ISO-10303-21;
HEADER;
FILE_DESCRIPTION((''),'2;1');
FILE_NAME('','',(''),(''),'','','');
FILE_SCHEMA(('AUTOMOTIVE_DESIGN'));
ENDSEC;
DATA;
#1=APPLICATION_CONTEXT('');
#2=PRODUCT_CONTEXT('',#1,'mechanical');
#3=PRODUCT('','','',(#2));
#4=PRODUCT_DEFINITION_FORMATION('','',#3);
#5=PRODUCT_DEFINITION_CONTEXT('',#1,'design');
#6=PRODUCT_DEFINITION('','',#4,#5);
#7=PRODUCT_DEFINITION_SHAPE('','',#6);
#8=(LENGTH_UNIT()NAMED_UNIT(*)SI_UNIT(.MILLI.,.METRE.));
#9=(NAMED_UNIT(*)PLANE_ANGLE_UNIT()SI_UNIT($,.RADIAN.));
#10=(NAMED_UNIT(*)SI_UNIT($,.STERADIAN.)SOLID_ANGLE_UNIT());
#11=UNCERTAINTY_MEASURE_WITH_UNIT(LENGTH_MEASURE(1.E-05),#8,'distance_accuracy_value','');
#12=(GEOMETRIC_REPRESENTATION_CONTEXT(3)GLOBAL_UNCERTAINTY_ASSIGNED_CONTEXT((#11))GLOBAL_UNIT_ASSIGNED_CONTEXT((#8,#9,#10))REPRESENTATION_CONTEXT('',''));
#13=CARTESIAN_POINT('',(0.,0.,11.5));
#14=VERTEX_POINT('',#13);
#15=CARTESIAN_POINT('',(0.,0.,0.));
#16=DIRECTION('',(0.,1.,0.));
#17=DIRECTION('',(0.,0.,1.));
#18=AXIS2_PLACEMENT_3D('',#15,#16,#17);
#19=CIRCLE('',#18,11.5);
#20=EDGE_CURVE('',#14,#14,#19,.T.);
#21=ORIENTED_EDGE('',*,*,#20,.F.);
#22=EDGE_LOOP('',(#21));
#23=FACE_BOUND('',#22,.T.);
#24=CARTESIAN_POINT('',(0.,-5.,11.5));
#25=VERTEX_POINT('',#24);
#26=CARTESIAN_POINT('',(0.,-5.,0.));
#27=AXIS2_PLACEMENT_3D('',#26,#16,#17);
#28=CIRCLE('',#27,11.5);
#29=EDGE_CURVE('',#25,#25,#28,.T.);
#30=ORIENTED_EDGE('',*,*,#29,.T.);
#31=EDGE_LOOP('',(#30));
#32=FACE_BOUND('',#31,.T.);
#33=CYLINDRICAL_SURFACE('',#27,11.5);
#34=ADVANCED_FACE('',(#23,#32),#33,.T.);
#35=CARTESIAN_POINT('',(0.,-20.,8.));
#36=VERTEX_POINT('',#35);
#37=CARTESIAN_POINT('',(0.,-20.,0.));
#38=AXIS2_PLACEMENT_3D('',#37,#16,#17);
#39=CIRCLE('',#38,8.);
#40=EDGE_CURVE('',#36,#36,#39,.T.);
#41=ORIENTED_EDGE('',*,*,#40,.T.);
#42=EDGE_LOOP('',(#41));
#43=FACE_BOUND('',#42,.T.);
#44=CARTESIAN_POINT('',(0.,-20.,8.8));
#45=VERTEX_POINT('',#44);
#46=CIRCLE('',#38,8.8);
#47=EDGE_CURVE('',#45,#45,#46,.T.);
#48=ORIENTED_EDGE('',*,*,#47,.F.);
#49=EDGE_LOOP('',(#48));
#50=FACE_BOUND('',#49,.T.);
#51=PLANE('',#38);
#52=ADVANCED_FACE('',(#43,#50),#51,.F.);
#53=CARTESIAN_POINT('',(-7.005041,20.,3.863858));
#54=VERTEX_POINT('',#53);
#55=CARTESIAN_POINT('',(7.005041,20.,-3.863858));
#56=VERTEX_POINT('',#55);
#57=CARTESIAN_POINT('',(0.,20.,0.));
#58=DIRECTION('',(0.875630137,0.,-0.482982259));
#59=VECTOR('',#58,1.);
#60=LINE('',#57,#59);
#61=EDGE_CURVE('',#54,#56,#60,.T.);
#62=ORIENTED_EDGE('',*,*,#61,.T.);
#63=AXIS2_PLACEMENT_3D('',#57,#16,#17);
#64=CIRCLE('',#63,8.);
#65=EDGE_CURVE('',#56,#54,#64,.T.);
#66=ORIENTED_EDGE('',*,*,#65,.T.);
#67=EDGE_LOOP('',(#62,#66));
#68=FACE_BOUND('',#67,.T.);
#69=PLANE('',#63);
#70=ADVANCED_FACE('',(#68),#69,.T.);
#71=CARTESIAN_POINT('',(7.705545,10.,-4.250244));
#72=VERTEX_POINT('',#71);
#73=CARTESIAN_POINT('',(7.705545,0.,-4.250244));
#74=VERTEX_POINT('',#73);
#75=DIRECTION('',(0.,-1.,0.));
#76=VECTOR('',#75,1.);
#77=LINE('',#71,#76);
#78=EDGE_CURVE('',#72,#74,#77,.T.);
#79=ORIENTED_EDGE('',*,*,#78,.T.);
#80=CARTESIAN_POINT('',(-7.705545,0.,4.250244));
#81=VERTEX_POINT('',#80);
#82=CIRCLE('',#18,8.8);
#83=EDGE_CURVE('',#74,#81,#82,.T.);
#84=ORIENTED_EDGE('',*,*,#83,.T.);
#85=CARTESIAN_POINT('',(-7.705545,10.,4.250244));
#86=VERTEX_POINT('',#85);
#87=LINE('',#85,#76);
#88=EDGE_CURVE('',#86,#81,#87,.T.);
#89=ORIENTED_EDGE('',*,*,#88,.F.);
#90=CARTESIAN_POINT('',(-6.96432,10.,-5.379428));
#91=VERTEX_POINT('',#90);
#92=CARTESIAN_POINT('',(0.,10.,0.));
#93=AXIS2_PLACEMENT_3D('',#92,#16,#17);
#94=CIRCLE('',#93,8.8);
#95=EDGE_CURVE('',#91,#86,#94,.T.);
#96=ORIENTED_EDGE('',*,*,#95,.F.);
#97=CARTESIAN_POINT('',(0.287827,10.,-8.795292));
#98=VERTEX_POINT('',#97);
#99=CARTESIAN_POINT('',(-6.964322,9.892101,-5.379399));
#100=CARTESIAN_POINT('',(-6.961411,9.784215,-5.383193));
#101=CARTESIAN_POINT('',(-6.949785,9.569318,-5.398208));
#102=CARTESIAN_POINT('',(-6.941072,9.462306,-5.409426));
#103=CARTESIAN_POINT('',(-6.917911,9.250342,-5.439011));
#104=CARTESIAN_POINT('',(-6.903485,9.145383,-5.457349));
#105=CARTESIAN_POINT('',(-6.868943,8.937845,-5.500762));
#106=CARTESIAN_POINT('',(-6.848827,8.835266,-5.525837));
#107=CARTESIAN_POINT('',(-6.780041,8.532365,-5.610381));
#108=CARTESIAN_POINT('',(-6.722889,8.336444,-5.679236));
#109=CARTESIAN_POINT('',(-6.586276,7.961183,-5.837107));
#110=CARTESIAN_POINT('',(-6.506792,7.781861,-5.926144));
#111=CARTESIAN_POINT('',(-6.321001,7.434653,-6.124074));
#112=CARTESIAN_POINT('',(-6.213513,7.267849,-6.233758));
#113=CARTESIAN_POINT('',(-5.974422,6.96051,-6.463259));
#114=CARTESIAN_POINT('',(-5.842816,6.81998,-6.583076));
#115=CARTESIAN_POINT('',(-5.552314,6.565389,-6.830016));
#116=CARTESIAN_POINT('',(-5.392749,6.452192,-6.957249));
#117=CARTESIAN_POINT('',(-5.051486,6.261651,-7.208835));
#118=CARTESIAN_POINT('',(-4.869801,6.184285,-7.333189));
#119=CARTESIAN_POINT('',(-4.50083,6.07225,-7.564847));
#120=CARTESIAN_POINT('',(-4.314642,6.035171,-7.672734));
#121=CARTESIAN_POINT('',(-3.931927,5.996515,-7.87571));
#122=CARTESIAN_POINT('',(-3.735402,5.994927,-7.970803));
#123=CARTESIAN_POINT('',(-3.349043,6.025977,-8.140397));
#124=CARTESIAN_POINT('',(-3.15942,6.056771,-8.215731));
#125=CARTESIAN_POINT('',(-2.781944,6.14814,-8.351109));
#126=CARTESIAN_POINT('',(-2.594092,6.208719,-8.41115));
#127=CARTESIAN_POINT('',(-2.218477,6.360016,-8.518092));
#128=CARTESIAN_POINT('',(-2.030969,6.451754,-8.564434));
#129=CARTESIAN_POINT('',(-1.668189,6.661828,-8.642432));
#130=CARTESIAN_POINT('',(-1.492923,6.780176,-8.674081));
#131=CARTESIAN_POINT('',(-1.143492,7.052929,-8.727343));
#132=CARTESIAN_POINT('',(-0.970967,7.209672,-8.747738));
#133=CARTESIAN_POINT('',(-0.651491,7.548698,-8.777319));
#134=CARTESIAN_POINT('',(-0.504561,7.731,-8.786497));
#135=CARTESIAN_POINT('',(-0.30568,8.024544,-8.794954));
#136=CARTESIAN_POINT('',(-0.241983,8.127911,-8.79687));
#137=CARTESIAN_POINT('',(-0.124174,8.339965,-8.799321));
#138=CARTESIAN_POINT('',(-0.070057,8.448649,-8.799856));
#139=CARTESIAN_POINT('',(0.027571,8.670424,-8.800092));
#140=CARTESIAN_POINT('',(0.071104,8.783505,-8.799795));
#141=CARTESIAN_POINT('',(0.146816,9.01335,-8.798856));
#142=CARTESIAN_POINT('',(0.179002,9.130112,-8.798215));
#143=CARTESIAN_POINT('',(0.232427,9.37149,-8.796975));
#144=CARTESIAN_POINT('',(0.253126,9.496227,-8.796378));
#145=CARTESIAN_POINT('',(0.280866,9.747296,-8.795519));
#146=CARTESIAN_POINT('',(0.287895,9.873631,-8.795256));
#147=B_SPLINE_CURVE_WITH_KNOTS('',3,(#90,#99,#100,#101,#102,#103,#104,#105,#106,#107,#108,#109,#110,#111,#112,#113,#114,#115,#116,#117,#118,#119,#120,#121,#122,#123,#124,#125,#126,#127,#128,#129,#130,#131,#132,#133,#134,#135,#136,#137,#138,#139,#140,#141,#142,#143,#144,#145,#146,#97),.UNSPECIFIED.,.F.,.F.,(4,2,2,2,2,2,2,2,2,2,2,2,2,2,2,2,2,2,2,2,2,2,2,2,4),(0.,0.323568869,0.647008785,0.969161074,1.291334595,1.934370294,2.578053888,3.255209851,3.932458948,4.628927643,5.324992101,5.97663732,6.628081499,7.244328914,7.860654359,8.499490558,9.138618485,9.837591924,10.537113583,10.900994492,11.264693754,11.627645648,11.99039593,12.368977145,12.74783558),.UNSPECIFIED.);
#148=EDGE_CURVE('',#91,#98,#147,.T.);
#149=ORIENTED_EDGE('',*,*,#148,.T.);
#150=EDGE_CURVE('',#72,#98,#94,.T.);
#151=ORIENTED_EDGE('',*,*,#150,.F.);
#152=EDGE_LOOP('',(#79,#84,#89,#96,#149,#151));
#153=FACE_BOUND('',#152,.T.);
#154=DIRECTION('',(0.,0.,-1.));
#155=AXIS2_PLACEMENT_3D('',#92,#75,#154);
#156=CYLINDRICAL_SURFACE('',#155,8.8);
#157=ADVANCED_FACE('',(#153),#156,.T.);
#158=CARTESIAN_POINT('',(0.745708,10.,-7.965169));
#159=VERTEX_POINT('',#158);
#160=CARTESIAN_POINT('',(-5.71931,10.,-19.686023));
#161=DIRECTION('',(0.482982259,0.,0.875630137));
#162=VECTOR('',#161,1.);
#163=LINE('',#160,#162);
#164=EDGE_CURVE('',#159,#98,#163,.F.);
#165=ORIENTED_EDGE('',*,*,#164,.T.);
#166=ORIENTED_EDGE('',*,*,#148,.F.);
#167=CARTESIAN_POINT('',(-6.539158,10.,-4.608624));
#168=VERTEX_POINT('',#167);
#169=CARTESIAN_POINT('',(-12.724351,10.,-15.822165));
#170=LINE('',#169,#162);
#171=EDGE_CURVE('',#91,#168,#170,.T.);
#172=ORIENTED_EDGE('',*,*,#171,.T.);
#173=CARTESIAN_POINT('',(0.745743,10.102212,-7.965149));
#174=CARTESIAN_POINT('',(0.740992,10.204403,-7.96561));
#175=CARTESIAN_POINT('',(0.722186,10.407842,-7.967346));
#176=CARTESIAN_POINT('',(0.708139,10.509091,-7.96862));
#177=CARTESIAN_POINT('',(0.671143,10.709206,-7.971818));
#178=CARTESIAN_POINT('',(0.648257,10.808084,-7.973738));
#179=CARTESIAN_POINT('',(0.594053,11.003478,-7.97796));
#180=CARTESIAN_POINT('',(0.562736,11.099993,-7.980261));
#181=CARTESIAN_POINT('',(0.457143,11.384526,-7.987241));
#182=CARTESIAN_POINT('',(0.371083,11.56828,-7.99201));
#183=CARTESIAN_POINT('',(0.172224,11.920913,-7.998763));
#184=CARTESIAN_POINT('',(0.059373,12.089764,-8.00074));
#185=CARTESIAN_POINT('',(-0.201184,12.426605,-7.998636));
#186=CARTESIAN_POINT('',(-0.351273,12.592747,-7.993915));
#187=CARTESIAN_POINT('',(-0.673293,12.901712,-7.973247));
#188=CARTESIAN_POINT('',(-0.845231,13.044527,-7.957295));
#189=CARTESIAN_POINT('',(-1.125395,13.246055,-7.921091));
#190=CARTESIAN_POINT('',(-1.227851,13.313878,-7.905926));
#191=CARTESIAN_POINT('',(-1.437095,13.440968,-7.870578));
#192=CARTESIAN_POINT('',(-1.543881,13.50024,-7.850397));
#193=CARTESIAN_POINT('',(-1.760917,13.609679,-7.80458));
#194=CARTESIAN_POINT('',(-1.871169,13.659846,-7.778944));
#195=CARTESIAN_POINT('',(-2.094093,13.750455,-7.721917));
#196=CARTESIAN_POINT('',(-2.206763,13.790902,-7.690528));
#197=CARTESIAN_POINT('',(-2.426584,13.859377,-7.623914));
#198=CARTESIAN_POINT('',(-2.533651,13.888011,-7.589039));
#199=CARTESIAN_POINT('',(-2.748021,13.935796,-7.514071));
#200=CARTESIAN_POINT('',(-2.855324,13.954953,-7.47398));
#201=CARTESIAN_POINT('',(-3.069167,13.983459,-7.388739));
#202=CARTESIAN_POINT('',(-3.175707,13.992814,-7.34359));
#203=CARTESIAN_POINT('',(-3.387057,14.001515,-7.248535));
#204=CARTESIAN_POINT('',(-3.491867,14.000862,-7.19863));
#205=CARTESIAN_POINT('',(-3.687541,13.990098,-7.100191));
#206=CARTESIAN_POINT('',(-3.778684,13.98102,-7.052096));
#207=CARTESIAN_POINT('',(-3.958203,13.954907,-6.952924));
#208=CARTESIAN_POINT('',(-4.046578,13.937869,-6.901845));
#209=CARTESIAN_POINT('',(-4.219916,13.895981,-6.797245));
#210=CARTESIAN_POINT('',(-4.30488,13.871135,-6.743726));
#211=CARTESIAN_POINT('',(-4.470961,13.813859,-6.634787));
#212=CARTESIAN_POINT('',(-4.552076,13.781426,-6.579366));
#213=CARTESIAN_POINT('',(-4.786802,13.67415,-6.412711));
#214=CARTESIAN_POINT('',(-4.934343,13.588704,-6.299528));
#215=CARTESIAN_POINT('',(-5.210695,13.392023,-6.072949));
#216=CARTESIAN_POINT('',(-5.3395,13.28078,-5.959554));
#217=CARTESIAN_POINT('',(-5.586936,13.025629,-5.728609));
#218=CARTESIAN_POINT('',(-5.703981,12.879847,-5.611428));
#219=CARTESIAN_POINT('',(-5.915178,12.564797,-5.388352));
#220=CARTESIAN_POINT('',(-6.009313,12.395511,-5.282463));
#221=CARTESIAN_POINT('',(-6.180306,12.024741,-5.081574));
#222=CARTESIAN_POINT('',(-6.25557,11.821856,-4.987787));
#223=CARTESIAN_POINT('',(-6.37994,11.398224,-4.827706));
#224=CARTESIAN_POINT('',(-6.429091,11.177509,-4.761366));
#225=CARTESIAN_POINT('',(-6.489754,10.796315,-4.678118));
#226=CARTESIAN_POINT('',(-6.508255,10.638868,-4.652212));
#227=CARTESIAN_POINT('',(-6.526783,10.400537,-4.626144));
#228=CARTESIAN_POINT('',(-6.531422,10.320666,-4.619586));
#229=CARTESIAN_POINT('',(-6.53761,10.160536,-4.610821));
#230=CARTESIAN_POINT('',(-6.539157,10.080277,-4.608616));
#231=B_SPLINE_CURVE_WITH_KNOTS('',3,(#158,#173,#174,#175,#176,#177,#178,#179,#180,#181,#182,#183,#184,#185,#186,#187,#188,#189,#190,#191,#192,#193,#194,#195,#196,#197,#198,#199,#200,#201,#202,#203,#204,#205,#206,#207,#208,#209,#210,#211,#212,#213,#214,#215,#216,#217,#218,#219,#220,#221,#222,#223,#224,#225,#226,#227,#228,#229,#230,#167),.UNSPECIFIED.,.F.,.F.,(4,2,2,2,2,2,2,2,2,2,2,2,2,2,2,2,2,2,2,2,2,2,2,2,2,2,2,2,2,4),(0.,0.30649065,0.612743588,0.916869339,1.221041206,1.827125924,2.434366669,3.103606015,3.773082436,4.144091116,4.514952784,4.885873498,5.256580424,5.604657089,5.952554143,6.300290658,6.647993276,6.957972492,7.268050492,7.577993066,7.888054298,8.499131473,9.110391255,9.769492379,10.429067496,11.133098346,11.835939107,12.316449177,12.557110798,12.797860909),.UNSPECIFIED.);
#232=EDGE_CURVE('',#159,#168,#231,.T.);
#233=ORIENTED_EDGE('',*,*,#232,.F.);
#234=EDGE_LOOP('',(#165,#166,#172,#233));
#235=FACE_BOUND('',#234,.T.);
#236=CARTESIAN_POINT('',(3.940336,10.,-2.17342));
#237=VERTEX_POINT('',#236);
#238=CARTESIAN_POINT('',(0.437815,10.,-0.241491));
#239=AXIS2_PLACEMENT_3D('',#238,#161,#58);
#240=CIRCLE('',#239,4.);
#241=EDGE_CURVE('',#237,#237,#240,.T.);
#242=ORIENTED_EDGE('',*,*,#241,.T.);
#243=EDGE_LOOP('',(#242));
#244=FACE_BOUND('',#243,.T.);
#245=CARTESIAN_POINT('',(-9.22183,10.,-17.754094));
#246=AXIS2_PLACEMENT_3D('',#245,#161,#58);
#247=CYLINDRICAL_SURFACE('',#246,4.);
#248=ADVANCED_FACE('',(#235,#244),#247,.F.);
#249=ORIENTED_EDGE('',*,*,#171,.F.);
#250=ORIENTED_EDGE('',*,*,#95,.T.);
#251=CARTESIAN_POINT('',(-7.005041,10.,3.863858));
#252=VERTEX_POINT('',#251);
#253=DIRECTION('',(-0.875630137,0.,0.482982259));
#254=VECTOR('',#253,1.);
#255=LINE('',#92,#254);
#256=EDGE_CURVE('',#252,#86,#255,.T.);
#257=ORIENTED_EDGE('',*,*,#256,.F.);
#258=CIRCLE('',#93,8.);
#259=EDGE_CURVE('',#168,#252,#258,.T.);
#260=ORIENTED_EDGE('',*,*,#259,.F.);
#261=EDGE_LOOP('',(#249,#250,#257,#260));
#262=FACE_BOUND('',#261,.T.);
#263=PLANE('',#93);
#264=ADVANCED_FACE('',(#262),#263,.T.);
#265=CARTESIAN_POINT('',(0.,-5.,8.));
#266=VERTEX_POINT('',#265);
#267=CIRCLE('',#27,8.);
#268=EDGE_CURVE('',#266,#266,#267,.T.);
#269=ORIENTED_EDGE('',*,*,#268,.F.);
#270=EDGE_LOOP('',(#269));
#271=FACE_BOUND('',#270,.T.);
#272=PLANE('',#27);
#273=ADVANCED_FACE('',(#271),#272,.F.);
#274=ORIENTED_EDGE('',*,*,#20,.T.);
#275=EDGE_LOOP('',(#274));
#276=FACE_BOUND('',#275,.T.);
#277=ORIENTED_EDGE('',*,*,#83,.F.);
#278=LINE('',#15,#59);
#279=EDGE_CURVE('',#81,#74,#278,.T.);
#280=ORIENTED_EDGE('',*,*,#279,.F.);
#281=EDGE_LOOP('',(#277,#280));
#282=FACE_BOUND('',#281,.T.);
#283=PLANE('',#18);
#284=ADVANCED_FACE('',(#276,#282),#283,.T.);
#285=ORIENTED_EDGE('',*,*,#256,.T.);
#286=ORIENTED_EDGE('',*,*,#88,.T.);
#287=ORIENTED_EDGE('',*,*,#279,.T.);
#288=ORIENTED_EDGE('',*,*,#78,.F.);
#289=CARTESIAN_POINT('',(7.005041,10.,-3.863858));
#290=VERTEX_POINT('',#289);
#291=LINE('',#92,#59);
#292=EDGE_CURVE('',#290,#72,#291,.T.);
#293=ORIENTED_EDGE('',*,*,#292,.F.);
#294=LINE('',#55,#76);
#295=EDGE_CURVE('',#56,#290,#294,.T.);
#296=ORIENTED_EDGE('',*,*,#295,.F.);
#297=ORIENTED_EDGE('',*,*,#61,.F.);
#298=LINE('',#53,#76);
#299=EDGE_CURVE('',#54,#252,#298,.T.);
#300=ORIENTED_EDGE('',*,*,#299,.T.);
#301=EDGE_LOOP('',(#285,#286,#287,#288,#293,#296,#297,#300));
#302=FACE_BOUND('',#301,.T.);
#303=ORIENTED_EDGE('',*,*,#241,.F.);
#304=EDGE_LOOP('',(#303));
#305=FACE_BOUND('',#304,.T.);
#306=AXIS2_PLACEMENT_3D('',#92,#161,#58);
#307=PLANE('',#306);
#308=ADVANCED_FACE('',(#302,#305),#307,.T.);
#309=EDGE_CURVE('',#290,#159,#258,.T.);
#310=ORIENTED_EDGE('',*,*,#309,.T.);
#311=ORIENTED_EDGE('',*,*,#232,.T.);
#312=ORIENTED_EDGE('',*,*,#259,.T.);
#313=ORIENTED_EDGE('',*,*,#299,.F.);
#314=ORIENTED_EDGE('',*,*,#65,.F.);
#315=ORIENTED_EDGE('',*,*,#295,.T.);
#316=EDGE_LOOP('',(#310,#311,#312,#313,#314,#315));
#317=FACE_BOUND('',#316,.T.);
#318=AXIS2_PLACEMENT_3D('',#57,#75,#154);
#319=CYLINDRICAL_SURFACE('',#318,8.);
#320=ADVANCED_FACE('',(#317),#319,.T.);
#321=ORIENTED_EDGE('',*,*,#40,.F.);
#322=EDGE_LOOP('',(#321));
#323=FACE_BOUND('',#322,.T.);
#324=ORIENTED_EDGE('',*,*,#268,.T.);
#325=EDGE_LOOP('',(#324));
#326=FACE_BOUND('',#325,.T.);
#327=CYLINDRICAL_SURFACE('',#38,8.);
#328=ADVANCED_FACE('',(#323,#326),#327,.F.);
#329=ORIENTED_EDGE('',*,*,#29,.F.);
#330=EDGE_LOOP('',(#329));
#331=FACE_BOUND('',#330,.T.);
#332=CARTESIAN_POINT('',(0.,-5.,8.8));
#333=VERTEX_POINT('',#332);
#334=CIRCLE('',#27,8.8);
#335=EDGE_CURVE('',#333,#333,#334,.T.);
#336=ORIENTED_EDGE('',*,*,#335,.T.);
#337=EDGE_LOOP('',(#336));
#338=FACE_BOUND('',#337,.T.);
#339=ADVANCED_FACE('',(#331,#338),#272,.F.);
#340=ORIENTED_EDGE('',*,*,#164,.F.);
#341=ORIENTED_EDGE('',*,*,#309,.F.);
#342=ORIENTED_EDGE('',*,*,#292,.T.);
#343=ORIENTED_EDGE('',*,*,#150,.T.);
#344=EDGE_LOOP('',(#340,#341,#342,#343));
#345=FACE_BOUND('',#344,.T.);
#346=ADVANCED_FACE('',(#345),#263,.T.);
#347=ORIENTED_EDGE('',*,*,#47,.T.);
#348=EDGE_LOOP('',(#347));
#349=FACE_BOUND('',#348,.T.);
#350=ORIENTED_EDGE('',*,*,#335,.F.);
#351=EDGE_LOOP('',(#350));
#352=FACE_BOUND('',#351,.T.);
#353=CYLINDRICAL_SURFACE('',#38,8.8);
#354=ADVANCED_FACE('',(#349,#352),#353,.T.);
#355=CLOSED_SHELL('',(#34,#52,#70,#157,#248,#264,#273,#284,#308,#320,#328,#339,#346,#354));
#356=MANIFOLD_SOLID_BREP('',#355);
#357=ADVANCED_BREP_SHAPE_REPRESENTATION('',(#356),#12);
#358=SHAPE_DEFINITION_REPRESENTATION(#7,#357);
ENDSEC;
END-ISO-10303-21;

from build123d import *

# Parameters (mm, degrees)
BOSS_EXTRUDE1_DEPTH = 10
SKETCH1_4_R         = 11.5
BOSS_EXTRUDE3_DEPTH = 5
BOSS_EXTRUDE4_DEPTH = 5
BOSS_EXTRUDE5_DEPTH = 20
SKETCH1_8_R         = 11.5
SKETCH1_8_R_2       = 8.8
SKETCH1_8_R_3       = 8
BOSS_EXTRUDE6_DEPTH = 5
SKETCH1_10_R        = 8.8
SKETCH1_10_R_2      = 8
BOSS_EXTRUDE8_DEPTH = 20
SKETCH8_R           = 4
CUT_EXTRUDE2_DEPTH  = 20


with BuildPart() as part:
    # Sketch1 → Boss-Extrude1 (new body)
    with BuildSketch(Plane(origin=(0, 0, 0), x_dir=(1, 0, 0), z_dir=(0, 1, 0))):
        with BuildLine():
            Line((-7.705545208, -4.250243881), (-7.005041098, -3.863858073))
            ThreePointArc((-7.005041098, -3.863858073), (-3.863858073, 7.005041098), (7.005041098, 3.863858073))
            Line((7.005041098, 3.863858073), (7.705545208, 4.250243881))
            ThreePointArc((7.705545208, 4.250243881), (-4.250243881, 7.705545208), (-7.705545208, -4.250243881))
        make_face()
    extrude(amount=BOSS_EXTRUDE1_DEPTH)

    # Sketch1<4> → Boss-Extrude3 (add)
    with BuildSketch(Plane(origin=(0, 0, 0), x_dir=(1, 0, 0), z_dir=(0, 1, 0))):
        Circle(SKETCH1_4_R)
        with BuildLine():
            Line((-7.705545208, -4.250243881), (-7.005041098, -3.863858073))
            ThreePointArc((-7.005041098, -3.863858073), (3.863858073, -7.005041098), (7.005041098, 3.863858073))
            Line((7.005041098, 3.863858073), (7.705545208, 4.250243881))
            ThreePointArc((7.705545208, 4.250243881), (4.250243881, -7.705545208), (-7.705545208, -4.250243881))
        make_face(mode=Mode.SUBTRACT)
    extrude(amount=-BOSS_EXTRUDE3_DEPTH)

    # Sketch1<6> → Boss-Extrude4 (add)
    with BuildSketch(Plane(origin=(0, 0, 0), x_dir=(1, 0, 0), z_dir=(0, 1, 0))):
        with BuildLine():
            ThreePointArc((8, 0), (1.994952532, -7.747268189), (-7.005041098, -3.863858073))
            Line((-7.005041098, -3.863858073), (-7.705545208, -4.250243881))
            ThreePointArc((-7.705545208, -4.250243881), (2.194447786, -8.521995008), (8.8, 0))
            ThreePointArc((8.8, 0), (8.521995008, 2.194447786), (7.705545208, 4.250243881))
            Line((7.705545208, 4.250243881), (7.005041098, 3.863858073))
            ThreePointArc((7.005041098, 3.863858073), (7.747268189, 1.994952532), (8, 0))
        make_face()
    extrude(amount=-BOSS_EXTRUDE4_DEPTH)

    # Sketch1<7> → Boss-Extrude5 (add)
    with BuildSketch(Plane(origin=(0, 0, 0), x_dir=(1, 0, 0), z_dir=(0, 1, 0))):
        with BuildLine():
            ThreePointArc((7.005041098, 3.863858073), (-3.863858073, 7.005041098), (-7.005041098, -3.863858073))
            Line((-7.005041098, -3.863858073), (7.005041098, 3.863858073))
        make_face()
    extrude(amount=BOSS_EXTRUDE5_DEPTH)

    # Sketch1<8> → Boss-Extrude6 (add)
    with BuildSketch(Plane(origin=(0, 0, 0), x_dir=(1, 0, 0), z_dir=(0, 1, 0))):
        Circle(SKETCH1_8_R)
        Circle(SKETCH1_8_R_2, mode=Mode.SUBTRACT)
        Circle(SKETCH1_8_R_3)
    extrude(amount=-BOSS_EXTRUDE6_DEPTH)

    # Sketch1<10> → Boss-Extrude8 (add)
    with BuildSketch(Plane(origin=(0, 0, 0), x_dir=(1, 0, 0), z_dir=(0, 1, 0))):
        Circle(SKETCH1_10_R)
        Circle(SKETCH1_10_R_2, mode=Mode.SUBTRACT)
    extrude(amount=-BOSS_EXTRUDE8_DEPTH)

    # Sketch8 → Cut-Extrude2 (cut)
    with BuildSketch(Plane(origin=(0, 0, 0), x_dir=(0.875630137, 0, -0.482982259), z_dir=(0.482982259, 0, 0.875630137))):
        with Locations((0.5, 10)):
            Circle(SKETCH8_R)
    extrude(amount=-CUT_EXTRUDE2_DEPTH, mode=Mode.SUBTRACT)


solid = part.part
